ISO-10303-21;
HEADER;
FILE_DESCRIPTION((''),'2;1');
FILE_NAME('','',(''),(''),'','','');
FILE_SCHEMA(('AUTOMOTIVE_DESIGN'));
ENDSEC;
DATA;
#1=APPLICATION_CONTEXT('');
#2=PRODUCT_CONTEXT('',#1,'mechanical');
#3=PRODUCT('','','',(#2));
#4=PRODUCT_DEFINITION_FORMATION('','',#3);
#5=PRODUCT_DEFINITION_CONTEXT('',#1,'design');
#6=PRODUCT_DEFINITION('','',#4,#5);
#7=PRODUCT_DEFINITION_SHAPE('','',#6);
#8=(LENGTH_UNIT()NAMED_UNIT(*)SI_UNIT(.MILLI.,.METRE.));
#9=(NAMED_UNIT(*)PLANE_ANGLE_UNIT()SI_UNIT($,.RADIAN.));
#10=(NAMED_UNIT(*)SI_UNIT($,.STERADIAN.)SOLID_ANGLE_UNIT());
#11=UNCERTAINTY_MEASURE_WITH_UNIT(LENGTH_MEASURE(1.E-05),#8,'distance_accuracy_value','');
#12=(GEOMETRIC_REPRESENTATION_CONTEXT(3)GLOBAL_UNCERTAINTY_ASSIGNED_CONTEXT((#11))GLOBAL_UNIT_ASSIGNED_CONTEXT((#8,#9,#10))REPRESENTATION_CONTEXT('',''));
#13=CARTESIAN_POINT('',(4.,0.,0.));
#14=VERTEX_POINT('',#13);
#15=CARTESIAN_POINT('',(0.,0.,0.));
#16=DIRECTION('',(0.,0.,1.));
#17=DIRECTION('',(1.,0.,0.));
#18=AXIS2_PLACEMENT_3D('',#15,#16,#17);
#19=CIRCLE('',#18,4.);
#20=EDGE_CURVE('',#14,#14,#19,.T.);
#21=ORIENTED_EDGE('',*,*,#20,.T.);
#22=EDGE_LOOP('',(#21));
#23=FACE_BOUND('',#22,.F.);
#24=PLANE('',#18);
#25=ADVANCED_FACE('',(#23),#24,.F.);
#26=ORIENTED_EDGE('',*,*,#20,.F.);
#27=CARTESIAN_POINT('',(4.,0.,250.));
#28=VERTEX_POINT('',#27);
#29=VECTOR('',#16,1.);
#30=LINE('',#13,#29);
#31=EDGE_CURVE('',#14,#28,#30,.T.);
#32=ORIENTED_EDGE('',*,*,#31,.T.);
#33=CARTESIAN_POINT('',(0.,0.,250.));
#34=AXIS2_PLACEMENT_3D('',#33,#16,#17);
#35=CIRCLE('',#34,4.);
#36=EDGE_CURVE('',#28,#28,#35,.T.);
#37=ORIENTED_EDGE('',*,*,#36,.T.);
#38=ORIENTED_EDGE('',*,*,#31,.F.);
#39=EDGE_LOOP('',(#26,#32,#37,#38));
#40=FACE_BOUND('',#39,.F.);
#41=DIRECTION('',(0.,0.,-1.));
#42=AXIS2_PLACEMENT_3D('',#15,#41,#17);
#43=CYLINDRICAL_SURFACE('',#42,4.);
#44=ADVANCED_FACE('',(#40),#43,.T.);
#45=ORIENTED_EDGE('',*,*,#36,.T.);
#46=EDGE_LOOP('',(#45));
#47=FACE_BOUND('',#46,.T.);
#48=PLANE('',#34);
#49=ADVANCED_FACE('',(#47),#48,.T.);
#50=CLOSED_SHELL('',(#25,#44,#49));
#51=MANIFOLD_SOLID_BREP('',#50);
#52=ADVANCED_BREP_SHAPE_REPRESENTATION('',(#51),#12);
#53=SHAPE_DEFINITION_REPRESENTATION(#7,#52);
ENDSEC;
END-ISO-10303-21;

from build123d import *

# Parameters (mm, degrees)
SKETCH_R  = 4
PAD_DEPTH = 250


with BuildPart() as part:
    # Sketch → Pad (new body)
    with BuildSketch(Plane.XY):
        Circle(SKETCH_R)
    extrude(amount=PAD_DEPTH)


solid = part.part
